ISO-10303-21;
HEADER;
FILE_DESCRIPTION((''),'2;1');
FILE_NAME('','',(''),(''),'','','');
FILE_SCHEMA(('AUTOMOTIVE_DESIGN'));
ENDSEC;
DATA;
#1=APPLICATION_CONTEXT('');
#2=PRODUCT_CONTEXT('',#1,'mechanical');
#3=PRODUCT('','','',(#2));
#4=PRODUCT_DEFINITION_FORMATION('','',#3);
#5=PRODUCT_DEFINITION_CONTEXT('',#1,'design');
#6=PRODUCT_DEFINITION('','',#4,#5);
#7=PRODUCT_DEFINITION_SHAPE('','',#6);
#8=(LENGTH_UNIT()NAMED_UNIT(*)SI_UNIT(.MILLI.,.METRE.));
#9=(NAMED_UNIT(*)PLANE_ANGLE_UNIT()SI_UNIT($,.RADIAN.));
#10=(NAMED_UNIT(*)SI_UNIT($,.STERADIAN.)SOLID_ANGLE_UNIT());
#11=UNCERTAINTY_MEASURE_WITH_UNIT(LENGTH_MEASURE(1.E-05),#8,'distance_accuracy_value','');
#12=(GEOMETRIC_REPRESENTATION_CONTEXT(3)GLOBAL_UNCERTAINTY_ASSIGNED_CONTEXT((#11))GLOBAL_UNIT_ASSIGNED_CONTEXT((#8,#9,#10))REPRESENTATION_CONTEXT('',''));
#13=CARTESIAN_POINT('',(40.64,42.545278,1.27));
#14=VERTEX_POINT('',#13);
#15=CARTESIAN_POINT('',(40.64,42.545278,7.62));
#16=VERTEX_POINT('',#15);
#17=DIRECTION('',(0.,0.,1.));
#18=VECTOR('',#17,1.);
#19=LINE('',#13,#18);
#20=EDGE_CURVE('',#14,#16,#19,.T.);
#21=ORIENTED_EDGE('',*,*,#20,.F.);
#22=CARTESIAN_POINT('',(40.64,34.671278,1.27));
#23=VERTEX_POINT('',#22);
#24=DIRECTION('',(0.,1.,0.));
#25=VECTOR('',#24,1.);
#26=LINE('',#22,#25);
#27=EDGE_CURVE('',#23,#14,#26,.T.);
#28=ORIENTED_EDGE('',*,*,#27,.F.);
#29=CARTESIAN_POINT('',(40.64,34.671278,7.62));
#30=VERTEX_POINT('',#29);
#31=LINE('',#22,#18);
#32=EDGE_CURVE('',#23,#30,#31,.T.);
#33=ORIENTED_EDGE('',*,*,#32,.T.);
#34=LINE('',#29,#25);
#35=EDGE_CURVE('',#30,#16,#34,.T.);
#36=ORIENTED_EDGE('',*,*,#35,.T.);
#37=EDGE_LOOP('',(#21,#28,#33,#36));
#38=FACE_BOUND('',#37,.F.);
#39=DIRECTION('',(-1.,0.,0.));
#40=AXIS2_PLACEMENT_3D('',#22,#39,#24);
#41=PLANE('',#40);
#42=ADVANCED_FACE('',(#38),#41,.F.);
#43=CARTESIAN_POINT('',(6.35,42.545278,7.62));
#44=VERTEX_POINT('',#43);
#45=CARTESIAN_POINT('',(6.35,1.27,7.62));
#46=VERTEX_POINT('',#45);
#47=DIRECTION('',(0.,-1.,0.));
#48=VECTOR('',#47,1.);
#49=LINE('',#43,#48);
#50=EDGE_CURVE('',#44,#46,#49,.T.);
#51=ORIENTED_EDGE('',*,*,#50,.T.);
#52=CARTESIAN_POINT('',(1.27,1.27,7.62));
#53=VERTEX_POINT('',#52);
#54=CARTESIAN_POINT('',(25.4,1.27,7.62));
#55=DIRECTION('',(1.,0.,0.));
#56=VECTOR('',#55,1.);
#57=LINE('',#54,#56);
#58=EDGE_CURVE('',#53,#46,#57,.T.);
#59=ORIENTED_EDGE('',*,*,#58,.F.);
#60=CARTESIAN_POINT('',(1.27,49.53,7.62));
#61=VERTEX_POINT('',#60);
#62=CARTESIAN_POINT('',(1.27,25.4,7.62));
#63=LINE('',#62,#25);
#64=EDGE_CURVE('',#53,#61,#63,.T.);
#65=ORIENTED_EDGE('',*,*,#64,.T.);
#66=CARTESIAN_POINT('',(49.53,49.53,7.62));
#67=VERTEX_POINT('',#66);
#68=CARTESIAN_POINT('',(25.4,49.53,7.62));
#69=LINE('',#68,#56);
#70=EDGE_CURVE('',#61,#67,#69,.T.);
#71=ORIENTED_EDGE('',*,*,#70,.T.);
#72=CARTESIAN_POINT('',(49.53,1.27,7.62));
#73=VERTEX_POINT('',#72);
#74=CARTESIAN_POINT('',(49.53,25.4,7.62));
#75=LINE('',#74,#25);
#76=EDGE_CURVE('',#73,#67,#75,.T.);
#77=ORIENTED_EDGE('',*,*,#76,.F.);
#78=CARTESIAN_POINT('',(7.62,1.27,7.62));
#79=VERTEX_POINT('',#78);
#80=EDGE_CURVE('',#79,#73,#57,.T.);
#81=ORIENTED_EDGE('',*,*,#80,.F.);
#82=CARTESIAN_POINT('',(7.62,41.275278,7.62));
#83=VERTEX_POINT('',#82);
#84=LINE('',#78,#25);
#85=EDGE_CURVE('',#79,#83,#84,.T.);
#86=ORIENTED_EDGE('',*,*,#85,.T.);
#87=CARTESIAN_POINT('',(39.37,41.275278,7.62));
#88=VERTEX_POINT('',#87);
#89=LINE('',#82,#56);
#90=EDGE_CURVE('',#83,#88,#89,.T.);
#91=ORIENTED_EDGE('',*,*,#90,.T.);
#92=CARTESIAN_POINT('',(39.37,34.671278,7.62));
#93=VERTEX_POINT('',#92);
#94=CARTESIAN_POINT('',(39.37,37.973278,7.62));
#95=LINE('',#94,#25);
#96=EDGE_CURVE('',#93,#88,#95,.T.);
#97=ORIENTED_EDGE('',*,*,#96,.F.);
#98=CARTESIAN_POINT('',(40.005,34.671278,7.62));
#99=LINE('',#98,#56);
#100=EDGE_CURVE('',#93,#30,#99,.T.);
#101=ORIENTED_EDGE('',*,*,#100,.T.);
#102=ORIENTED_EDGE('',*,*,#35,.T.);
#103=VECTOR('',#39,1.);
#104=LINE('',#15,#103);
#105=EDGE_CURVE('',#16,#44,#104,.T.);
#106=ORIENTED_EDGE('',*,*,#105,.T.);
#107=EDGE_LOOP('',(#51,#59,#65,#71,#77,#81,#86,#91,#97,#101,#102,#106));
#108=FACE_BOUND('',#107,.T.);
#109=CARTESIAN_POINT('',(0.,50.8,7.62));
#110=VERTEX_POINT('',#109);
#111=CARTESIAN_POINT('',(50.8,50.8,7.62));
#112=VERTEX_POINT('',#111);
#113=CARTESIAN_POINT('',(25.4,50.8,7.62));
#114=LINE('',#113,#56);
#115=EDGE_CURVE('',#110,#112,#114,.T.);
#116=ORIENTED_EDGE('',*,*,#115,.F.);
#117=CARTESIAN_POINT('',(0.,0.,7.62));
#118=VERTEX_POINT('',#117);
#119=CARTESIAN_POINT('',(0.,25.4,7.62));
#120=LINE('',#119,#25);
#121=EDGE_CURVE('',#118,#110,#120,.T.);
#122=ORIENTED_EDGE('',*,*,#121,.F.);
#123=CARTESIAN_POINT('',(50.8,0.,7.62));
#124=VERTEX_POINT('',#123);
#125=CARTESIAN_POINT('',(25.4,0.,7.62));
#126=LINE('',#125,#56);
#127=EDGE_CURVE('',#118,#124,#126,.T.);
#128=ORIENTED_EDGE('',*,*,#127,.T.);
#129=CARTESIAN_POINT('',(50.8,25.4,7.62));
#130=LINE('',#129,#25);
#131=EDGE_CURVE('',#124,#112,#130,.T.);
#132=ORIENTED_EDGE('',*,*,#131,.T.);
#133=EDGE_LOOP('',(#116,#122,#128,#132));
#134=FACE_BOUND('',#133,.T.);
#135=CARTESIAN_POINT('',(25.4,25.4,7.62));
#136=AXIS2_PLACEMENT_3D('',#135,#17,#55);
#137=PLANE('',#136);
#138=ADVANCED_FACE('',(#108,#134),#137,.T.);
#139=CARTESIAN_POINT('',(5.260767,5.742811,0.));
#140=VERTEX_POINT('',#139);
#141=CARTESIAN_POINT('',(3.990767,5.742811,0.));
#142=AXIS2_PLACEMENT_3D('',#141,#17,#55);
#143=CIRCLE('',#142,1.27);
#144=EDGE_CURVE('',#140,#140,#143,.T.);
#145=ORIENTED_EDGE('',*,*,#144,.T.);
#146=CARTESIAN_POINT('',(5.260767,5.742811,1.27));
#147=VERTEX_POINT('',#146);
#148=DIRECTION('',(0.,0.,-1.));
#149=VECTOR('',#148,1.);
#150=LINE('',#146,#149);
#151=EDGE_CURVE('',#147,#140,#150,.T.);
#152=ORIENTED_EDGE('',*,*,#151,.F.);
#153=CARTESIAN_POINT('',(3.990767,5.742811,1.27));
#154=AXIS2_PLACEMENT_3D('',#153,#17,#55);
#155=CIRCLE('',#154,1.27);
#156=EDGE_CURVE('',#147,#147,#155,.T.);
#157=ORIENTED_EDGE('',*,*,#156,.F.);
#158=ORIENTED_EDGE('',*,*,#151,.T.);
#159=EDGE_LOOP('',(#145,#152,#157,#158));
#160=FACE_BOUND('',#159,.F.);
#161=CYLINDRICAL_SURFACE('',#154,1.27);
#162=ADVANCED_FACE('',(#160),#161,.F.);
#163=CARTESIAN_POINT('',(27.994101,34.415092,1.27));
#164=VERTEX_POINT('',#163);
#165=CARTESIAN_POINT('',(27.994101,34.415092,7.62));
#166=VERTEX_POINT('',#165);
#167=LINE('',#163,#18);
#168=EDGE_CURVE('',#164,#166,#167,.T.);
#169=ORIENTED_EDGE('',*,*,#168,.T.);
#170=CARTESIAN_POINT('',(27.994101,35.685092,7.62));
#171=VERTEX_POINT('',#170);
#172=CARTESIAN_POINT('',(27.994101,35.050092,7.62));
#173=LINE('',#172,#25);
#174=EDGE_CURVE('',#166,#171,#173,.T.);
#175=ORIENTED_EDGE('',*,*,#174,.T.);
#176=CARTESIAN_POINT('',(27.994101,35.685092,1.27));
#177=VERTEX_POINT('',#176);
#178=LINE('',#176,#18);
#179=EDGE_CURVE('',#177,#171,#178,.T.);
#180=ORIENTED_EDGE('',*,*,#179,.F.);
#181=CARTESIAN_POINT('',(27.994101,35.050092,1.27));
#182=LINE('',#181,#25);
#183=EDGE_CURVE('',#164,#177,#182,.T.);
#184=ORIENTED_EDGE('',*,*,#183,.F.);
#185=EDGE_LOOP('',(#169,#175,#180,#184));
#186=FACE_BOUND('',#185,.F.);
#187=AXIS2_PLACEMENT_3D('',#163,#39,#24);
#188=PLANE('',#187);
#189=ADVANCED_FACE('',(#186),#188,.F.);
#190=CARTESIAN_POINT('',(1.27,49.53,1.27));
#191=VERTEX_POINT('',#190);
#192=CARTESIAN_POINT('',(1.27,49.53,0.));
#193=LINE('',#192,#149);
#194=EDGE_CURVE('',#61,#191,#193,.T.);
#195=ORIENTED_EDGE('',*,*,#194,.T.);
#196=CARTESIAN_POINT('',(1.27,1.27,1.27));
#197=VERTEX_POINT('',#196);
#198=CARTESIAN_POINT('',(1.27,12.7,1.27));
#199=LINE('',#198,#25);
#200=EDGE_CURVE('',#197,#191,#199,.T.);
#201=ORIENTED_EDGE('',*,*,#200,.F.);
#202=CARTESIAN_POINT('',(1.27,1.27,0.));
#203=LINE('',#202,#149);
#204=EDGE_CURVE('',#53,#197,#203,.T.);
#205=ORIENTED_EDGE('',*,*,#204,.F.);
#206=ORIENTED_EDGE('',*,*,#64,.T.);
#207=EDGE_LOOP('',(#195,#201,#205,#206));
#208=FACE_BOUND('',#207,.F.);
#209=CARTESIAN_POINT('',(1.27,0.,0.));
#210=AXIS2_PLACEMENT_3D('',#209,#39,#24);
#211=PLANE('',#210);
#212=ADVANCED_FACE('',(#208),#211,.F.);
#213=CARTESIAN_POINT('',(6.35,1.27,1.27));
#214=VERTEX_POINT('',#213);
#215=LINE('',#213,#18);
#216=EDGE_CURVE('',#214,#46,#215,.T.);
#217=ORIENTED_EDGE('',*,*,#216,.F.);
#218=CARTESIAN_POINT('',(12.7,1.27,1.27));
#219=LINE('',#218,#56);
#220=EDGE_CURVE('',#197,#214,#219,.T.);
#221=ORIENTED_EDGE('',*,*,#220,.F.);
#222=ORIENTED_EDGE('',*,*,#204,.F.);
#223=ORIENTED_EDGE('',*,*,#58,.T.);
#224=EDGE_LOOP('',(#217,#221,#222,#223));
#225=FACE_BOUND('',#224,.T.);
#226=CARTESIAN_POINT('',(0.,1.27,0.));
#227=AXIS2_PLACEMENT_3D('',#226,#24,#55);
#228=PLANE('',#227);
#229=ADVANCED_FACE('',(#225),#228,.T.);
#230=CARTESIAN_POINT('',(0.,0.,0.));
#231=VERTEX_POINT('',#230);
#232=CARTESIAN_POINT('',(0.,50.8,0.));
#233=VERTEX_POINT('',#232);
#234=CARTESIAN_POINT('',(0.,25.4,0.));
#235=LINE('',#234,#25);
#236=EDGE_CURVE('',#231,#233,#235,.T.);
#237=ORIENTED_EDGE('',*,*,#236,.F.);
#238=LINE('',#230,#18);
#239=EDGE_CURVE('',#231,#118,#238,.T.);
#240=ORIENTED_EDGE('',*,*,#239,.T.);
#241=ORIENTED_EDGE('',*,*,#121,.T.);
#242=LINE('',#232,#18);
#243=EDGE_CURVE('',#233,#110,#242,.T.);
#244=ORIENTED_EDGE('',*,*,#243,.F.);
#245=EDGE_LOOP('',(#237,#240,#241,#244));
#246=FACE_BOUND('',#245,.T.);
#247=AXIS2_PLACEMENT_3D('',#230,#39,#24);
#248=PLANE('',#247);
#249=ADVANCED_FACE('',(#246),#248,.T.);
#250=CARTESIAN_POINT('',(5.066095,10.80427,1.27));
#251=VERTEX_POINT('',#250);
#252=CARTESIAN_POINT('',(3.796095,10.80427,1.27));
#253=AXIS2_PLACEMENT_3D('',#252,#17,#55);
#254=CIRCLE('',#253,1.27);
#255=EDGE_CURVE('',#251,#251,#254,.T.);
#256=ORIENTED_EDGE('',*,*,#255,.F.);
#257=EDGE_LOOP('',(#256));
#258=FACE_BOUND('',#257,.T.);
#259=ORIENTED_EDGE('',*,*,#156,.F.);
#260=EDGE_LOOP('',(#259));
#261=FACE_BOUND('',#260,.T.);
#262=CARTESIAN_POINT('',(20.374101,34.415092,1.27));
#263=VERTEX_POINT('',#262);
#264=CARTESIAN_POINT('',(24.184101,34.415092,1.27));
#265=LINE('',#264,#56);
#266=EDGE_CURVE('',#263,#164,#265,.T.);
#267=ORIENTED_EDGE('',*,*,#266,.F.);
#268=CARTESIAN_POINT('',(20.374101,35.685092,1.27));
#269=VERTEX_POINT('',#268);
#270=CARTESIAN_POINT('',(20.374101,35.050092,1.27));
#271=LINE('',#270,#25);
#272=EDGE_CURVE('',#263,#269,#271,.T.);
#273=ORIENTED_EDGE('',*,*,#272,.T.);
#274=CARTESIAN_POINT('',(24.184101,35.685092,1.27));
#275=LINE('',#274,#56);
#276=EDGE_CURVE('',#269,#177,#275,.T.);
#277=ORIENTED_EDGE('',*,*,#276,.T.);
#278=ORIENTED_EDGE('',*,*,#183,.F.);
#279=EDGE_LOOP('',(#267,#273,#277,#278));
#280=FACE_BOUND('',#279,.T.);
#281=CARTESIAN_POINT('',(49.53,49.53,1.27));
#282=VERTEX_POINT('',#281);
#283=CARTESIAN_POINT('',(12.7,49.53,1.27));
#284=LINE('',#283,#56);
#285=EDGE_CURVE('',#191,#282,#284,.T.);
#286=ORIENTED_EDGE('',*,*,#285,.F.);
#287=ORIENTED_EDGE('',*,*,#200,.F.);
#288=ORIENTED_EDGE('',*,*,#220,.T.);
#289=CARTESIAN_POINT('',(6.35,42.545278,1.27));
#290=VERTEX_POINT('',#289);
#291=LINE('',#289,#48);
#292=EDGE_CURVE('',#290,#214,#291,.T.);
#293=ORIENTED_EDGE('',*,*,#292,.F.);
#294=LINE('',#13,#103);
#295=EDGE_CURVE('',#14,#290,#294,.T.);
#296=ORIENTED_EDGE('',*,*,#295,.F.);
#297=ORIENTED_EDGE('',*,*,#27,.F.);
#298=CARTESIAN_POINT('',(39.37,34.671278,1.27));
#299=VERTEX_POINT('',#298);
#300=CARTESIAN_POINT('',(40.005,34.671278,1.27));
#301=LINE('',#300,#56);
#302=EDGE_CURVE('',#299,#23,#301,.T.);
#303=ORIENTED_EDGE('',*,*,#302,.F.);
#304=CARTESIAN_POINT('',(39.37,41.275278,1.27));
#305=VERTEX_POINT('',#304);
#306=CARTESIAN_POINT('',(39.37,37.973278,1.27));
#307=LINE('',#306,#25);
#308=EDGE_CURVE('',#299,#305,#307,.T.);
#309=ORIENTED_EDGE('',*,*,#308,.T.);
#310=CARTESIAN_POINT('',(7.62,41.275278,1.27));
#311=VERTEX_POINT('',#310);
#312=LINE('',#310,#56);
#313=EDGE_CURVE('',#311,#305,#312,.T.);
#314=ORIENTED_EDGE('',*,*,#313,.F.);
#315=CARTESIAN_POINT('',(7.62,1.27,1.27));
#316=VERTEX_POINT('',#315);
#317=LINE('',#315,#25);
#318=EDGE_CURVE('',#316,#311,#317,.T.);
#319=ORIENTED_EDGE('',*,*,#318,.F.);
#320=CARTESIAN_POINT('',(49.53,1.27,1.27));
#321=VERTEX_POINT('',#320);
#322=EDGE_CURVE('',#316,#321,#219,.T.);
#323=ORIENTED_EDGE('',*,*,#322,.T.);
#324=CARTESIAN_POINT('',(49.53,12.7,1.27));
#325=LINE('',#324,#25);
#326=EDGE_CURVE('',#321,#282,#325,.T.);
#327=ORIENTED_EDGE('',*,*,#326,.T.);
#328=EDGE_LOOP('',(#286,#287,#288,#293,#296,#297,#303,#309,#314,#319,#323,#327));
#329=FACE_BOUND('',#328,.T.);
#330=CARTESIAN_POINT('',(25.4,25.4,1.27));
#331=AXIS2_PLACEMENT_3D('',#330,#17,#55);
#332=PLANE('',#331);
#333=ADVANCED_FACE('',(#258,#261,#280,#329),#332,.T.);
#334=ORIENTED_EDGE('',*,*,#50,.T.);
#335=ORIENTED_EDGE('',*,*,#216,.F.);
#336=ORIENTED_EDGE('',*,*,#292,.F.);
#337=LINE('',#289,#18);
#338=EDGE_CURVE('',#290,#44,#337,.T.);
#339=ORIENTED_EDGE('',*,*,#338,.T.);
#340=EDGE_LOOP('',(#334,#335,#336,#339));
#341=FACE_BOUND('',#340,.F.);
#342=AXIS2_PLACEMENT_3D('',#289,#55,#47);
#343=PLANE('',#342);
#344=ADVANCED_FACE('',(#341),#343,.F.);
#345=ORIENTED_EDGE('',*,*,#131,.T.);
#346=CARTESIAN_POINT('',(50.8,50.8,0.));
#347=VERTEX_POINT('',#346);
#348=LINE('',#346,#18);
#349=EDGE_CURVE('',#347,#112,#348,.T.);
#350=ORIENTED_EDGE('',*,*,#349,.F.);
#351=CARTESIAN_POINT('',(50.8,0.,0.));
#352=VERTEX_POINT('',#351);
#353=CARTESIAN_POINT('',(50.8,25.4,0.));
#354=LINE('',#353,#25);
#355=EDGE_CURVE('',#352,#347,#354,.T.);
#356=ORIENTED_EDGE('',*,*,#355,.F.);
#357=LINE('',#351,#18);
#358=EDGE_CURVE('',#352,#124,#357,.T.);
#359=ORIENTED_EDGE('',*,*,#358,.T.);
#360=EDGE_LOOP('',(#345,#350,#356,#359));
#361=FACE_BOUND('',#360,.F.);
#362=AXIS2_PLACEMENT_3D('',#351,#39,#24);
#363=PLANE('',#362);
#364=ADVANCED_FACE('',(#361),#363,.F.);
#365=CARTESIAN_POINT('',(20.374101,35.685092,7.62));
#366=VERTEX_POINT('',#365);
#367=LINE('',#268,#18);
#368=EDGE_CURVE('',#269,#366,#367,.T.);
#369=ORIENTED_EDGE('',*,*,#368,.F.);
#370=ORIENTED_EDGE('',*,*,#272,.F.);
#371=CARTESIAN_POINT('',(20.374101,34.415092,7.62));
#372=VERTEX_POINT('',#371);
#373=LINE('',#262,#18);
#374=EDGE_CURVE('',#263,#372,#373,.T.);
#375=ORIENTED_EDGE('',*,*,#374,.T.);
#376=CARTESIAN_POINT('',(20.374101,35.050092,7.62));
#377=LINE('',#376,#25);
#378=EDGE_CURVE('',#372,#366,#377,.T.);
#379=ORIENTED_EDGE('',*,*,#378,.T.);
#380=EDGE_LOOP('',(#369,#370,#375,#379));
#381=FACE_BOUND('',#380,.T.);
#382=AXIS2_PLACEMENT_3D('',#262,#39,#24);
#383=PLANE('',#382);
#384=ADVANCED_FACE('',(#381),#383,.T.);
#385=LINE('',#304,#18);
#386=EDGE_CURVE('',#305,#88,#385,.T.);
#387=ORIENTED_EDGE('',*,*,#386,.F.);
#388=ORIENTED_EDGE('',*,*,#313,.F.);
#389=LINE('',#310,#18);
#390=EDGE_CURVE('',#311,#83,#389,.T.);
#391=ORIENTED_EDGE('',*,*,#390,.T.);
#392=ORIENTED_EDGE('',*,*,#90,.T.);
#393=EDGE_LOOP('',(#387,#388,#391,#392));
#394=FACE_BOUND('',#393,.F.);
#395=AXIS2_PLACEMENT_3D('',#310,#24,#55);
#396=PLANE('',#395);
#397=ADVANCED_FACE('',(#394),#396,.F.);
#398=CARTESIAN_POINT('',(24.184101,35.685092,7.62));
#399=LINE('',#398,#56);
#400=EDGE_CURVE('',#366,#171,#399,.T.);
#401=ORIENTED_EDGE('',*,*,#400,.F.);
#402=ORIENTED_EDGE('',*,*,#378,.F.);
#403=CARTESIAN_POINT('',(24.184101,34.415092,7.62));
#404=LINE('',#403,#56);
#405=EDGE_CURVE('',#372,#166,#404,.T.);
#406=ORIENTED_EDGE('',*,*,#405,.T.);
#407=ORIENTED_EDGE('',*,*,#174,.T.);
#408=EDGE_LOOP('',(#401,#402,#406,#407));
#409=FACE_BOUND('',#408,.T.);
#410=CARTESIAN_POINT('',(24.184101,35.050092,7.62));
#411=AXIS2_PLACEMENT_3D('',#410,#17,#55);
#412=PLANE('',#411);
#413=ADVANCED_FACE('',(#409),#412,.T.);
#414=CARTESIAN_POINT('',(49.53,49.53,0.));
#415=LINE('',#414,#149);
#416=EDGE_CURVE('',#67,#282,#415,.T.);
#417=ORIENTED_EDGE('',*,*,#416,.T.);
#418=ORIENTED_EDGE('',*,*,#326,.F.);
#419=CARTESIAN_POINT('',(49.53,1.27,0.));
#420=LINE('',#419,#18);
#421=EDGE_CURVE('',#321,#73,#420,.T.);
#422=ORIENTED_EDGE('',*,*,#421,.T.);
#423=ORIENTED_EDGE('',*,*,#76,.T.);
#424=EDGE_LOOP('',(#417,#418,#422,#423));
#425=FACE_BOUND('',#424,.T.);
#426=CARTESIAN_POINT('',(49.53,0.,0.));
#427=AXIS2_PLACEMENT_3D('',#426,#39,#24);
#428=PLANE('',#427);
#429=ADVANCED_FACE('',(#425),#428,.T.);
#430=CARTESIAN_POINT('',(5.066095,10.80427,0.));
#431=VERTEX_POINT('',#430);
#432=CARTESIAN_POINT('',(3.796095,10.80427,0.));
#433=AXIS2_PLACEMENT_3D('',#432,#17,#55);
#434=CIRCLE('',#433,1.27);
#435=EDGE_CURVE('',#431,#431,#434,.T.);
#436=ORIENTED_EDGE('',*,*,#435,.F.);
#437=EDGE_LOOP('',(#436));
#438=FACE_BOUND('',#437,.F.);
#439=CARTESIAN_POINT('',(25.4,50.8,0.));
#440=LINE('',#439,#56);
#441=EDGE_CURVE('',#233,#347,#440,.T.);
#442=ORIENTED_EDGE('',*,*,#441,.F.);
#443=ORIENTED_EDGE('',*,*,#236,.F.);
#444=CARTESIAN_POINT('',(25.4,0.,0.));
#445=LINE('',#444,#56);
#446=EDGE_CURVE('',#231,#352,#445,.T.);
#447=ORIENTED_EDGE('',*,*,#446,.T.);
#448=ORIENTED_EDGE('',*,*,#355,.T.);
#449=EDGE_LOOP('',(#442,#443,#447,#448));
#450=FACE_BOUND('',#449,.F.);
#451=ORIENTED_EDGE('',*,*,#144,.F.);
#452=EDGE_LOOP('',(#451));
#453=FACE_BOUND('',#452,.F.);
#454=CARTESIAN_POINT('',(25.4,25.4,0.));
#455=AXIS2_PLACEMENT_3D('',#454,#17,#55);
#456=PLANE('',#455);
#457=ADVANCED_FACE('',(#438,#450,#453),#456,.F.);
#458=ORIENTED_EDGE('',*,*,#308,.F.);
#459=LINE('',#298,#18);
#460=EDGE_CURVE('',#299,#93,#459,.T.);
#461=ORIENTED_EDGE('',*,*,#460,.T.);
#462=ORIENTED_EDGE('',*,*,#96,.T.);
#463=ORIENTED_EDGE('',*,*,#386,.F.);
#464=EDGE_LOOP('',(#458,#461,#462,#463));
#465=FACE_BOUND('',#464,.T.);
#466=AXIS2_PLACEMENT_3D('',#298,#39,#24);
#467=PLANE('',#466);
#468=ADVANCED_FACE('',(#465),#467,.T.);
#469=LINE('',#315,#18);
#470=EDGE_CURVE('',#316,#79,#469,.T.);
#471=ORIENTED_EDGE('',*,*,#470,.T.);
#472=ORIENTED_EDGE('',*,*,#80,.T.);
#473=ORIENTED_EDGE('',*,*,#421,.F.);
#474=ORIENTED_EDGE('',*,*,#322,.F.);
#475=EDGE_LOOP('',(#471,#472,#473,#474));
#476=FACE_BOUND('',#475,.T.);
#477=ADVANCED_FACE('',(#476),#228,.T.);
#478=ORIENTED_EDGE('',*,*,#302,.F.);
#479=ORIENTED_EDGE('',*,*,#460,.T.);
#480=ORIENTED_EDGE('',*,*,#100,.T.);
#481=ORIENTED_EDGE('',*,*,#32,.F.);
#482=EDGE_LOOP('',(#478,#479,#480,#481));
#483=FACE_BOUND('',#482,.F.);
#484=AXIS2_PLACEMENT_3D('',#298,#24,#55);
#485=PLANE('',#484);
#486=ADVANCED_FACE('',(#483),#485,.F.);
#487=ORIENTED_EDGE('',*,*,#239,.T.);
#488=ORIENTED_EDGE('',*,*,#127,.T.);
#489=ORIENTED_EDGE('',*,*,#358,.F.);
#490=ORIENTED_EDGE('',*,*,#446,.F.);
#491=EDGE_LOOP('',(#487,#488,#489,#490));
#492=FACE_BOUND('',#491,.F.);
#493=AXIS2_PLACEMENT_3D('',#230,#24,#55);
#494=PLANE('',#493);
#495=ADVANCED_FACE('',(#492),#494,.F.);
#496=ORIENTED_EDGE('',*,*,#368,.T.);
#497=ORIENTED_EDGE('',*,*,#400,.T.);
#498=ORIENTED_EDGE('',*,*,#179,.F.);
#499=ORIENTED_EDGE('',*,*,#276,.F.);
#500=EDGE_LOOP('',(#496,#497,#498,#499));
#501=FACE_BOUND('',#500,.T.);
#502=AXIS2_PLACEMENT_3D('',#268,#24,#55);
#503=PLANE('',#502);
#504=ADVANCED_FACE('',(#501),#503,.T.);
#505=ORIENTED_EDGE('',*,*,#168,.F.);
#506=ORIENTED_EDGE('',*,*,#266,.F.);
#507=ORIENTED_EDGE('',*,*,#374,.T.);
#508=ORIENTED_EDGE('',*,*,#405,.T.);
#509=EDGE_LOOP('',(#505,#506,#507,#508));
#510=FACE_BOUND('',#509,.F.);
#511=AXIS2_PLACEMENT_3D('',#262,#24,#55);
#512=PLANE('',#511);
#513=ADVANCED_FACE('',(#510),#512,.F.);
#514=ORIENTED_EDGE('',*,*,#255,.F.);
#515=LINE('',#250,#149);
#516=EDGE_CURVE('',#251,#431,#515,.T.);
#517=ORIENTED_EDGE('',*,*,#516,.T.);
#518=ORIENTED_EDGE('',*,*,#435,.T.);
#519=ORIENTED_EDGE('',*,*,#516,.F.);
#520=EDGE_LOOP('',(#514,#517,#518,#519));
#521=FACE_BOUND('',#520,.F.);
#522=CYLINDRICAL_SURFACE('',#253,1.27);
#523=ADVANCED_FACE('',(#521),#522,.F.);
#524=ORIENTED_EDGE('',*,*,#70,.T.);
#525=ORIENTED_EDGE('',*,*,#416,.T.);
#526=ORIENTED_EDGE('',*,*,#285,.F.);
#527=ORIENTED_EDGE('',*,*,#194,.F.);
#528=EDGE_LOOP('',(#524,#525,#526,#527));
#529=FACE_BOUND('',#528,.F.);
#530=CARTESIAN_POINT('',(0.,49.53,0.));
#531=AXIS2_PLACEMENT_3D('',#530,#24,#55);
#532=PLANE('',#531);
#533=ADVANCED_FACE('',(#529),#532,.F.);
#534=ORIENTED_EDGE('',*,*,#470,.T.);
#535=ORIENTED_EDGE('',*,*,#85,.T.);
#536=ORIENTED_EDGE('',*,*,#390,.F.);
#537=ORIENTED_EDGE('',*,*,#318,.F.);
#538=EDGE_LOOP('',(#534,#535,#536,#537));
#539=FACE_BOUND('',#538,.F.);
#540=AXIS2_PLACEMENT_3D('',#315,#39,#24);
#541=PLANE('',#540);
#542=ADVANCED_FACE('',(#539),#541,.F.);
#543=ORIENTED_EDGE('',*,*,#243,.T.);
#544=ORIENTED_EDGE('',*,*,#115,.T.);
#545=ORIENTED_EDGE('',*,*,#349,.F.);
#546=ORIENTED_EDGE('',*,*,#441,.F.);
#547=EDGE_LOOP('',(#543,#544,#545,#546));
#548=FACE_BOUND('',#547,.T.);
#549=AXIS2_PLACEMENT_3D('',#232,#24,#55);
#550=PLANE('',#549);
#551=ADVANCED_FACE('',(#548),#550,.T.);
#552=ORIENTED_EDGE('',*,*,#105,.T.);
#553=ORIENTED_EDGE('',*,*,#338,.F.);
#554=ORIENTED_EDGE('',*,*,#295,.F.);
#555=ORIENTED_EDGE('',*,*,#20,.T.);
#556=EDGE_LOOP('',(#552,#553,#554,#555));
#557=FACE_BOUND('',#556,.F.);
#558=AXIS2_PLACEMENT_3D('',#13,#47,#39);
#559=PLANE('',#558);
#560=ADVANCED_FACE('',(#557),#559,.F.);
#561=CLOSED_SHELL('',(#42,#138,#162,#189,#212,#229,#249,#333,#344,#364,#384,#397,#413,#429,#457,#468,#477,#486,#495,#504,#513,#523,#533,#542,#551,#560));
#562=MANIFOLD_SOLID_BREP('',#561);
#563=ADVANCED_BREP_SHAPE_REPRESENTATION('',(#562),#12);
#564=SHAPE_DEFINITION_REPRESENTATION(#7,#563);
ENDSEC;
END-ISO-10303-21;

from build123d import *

# Parameters (mm, degrees)
F0_W     = 50.8
F0_H     = 50.8
F1_DEPTH = 7.62
F2_T     = -1.27
F3_W     = 1.27
F3_H     = 6.604
F3_W_2   = 7.62
F3_H_2   = 1.27
F4_DEPTH = 6.35
F5_R     = 1.27
F6_DEPTH = 25.4


with BuildPart() as f1:
    # F0 (on Top) → F1 (new body)
    with BuildSketch(Plane.XY):
        with Locations((25.4, 25.4)):
            Rectangle(F0_W, F0_H)
    extrude(amount=F1_DEPTH)

    # F2
    f2_openings = [f1.faces().sort_by_distance(p)[0] for p in [
        (25.4, 25.4, 7.62),
    ]]
    offset(amount=F2_T, openings=f2_openings)

    # F3 (on face) → F4 (join)
    with BuildSketch(Plane.XY.offset(1.27)):
        Polygon((6.35, 42.545278), (6.35, 1.27), (7.62, 1.27), (7.62, 41.275278), (7.62, 42.545278), align=None)
        Polygon((7.62, 42.545278), (7.62, 41.275278), (39.37, 41.275278), (40.64, 41.275278), (40.64, 42.545278), align=None)
        with Locations((40.005, 37.973278)):
            Rectangle(F3_W, F3_H)
        with Locations((24.184101, 35.050092)):
            Rectangle(F3_W_2, F3_H_2)
    extrude(amount=F4_DEPTH)

    # F5 (on face) → F6 (cut)
    with BuildSketch(Plane.XY.offset(1.27)):
        with Locations((3.990767, 5.742811)):
            Circle(F5_R)
        with Locations((3.796095, 10.80427)):
            Circle(F5_R)
    extrude(amount=-F6_DEPTH, mode=Mode.SUBTRACT)


solid = f1.part
